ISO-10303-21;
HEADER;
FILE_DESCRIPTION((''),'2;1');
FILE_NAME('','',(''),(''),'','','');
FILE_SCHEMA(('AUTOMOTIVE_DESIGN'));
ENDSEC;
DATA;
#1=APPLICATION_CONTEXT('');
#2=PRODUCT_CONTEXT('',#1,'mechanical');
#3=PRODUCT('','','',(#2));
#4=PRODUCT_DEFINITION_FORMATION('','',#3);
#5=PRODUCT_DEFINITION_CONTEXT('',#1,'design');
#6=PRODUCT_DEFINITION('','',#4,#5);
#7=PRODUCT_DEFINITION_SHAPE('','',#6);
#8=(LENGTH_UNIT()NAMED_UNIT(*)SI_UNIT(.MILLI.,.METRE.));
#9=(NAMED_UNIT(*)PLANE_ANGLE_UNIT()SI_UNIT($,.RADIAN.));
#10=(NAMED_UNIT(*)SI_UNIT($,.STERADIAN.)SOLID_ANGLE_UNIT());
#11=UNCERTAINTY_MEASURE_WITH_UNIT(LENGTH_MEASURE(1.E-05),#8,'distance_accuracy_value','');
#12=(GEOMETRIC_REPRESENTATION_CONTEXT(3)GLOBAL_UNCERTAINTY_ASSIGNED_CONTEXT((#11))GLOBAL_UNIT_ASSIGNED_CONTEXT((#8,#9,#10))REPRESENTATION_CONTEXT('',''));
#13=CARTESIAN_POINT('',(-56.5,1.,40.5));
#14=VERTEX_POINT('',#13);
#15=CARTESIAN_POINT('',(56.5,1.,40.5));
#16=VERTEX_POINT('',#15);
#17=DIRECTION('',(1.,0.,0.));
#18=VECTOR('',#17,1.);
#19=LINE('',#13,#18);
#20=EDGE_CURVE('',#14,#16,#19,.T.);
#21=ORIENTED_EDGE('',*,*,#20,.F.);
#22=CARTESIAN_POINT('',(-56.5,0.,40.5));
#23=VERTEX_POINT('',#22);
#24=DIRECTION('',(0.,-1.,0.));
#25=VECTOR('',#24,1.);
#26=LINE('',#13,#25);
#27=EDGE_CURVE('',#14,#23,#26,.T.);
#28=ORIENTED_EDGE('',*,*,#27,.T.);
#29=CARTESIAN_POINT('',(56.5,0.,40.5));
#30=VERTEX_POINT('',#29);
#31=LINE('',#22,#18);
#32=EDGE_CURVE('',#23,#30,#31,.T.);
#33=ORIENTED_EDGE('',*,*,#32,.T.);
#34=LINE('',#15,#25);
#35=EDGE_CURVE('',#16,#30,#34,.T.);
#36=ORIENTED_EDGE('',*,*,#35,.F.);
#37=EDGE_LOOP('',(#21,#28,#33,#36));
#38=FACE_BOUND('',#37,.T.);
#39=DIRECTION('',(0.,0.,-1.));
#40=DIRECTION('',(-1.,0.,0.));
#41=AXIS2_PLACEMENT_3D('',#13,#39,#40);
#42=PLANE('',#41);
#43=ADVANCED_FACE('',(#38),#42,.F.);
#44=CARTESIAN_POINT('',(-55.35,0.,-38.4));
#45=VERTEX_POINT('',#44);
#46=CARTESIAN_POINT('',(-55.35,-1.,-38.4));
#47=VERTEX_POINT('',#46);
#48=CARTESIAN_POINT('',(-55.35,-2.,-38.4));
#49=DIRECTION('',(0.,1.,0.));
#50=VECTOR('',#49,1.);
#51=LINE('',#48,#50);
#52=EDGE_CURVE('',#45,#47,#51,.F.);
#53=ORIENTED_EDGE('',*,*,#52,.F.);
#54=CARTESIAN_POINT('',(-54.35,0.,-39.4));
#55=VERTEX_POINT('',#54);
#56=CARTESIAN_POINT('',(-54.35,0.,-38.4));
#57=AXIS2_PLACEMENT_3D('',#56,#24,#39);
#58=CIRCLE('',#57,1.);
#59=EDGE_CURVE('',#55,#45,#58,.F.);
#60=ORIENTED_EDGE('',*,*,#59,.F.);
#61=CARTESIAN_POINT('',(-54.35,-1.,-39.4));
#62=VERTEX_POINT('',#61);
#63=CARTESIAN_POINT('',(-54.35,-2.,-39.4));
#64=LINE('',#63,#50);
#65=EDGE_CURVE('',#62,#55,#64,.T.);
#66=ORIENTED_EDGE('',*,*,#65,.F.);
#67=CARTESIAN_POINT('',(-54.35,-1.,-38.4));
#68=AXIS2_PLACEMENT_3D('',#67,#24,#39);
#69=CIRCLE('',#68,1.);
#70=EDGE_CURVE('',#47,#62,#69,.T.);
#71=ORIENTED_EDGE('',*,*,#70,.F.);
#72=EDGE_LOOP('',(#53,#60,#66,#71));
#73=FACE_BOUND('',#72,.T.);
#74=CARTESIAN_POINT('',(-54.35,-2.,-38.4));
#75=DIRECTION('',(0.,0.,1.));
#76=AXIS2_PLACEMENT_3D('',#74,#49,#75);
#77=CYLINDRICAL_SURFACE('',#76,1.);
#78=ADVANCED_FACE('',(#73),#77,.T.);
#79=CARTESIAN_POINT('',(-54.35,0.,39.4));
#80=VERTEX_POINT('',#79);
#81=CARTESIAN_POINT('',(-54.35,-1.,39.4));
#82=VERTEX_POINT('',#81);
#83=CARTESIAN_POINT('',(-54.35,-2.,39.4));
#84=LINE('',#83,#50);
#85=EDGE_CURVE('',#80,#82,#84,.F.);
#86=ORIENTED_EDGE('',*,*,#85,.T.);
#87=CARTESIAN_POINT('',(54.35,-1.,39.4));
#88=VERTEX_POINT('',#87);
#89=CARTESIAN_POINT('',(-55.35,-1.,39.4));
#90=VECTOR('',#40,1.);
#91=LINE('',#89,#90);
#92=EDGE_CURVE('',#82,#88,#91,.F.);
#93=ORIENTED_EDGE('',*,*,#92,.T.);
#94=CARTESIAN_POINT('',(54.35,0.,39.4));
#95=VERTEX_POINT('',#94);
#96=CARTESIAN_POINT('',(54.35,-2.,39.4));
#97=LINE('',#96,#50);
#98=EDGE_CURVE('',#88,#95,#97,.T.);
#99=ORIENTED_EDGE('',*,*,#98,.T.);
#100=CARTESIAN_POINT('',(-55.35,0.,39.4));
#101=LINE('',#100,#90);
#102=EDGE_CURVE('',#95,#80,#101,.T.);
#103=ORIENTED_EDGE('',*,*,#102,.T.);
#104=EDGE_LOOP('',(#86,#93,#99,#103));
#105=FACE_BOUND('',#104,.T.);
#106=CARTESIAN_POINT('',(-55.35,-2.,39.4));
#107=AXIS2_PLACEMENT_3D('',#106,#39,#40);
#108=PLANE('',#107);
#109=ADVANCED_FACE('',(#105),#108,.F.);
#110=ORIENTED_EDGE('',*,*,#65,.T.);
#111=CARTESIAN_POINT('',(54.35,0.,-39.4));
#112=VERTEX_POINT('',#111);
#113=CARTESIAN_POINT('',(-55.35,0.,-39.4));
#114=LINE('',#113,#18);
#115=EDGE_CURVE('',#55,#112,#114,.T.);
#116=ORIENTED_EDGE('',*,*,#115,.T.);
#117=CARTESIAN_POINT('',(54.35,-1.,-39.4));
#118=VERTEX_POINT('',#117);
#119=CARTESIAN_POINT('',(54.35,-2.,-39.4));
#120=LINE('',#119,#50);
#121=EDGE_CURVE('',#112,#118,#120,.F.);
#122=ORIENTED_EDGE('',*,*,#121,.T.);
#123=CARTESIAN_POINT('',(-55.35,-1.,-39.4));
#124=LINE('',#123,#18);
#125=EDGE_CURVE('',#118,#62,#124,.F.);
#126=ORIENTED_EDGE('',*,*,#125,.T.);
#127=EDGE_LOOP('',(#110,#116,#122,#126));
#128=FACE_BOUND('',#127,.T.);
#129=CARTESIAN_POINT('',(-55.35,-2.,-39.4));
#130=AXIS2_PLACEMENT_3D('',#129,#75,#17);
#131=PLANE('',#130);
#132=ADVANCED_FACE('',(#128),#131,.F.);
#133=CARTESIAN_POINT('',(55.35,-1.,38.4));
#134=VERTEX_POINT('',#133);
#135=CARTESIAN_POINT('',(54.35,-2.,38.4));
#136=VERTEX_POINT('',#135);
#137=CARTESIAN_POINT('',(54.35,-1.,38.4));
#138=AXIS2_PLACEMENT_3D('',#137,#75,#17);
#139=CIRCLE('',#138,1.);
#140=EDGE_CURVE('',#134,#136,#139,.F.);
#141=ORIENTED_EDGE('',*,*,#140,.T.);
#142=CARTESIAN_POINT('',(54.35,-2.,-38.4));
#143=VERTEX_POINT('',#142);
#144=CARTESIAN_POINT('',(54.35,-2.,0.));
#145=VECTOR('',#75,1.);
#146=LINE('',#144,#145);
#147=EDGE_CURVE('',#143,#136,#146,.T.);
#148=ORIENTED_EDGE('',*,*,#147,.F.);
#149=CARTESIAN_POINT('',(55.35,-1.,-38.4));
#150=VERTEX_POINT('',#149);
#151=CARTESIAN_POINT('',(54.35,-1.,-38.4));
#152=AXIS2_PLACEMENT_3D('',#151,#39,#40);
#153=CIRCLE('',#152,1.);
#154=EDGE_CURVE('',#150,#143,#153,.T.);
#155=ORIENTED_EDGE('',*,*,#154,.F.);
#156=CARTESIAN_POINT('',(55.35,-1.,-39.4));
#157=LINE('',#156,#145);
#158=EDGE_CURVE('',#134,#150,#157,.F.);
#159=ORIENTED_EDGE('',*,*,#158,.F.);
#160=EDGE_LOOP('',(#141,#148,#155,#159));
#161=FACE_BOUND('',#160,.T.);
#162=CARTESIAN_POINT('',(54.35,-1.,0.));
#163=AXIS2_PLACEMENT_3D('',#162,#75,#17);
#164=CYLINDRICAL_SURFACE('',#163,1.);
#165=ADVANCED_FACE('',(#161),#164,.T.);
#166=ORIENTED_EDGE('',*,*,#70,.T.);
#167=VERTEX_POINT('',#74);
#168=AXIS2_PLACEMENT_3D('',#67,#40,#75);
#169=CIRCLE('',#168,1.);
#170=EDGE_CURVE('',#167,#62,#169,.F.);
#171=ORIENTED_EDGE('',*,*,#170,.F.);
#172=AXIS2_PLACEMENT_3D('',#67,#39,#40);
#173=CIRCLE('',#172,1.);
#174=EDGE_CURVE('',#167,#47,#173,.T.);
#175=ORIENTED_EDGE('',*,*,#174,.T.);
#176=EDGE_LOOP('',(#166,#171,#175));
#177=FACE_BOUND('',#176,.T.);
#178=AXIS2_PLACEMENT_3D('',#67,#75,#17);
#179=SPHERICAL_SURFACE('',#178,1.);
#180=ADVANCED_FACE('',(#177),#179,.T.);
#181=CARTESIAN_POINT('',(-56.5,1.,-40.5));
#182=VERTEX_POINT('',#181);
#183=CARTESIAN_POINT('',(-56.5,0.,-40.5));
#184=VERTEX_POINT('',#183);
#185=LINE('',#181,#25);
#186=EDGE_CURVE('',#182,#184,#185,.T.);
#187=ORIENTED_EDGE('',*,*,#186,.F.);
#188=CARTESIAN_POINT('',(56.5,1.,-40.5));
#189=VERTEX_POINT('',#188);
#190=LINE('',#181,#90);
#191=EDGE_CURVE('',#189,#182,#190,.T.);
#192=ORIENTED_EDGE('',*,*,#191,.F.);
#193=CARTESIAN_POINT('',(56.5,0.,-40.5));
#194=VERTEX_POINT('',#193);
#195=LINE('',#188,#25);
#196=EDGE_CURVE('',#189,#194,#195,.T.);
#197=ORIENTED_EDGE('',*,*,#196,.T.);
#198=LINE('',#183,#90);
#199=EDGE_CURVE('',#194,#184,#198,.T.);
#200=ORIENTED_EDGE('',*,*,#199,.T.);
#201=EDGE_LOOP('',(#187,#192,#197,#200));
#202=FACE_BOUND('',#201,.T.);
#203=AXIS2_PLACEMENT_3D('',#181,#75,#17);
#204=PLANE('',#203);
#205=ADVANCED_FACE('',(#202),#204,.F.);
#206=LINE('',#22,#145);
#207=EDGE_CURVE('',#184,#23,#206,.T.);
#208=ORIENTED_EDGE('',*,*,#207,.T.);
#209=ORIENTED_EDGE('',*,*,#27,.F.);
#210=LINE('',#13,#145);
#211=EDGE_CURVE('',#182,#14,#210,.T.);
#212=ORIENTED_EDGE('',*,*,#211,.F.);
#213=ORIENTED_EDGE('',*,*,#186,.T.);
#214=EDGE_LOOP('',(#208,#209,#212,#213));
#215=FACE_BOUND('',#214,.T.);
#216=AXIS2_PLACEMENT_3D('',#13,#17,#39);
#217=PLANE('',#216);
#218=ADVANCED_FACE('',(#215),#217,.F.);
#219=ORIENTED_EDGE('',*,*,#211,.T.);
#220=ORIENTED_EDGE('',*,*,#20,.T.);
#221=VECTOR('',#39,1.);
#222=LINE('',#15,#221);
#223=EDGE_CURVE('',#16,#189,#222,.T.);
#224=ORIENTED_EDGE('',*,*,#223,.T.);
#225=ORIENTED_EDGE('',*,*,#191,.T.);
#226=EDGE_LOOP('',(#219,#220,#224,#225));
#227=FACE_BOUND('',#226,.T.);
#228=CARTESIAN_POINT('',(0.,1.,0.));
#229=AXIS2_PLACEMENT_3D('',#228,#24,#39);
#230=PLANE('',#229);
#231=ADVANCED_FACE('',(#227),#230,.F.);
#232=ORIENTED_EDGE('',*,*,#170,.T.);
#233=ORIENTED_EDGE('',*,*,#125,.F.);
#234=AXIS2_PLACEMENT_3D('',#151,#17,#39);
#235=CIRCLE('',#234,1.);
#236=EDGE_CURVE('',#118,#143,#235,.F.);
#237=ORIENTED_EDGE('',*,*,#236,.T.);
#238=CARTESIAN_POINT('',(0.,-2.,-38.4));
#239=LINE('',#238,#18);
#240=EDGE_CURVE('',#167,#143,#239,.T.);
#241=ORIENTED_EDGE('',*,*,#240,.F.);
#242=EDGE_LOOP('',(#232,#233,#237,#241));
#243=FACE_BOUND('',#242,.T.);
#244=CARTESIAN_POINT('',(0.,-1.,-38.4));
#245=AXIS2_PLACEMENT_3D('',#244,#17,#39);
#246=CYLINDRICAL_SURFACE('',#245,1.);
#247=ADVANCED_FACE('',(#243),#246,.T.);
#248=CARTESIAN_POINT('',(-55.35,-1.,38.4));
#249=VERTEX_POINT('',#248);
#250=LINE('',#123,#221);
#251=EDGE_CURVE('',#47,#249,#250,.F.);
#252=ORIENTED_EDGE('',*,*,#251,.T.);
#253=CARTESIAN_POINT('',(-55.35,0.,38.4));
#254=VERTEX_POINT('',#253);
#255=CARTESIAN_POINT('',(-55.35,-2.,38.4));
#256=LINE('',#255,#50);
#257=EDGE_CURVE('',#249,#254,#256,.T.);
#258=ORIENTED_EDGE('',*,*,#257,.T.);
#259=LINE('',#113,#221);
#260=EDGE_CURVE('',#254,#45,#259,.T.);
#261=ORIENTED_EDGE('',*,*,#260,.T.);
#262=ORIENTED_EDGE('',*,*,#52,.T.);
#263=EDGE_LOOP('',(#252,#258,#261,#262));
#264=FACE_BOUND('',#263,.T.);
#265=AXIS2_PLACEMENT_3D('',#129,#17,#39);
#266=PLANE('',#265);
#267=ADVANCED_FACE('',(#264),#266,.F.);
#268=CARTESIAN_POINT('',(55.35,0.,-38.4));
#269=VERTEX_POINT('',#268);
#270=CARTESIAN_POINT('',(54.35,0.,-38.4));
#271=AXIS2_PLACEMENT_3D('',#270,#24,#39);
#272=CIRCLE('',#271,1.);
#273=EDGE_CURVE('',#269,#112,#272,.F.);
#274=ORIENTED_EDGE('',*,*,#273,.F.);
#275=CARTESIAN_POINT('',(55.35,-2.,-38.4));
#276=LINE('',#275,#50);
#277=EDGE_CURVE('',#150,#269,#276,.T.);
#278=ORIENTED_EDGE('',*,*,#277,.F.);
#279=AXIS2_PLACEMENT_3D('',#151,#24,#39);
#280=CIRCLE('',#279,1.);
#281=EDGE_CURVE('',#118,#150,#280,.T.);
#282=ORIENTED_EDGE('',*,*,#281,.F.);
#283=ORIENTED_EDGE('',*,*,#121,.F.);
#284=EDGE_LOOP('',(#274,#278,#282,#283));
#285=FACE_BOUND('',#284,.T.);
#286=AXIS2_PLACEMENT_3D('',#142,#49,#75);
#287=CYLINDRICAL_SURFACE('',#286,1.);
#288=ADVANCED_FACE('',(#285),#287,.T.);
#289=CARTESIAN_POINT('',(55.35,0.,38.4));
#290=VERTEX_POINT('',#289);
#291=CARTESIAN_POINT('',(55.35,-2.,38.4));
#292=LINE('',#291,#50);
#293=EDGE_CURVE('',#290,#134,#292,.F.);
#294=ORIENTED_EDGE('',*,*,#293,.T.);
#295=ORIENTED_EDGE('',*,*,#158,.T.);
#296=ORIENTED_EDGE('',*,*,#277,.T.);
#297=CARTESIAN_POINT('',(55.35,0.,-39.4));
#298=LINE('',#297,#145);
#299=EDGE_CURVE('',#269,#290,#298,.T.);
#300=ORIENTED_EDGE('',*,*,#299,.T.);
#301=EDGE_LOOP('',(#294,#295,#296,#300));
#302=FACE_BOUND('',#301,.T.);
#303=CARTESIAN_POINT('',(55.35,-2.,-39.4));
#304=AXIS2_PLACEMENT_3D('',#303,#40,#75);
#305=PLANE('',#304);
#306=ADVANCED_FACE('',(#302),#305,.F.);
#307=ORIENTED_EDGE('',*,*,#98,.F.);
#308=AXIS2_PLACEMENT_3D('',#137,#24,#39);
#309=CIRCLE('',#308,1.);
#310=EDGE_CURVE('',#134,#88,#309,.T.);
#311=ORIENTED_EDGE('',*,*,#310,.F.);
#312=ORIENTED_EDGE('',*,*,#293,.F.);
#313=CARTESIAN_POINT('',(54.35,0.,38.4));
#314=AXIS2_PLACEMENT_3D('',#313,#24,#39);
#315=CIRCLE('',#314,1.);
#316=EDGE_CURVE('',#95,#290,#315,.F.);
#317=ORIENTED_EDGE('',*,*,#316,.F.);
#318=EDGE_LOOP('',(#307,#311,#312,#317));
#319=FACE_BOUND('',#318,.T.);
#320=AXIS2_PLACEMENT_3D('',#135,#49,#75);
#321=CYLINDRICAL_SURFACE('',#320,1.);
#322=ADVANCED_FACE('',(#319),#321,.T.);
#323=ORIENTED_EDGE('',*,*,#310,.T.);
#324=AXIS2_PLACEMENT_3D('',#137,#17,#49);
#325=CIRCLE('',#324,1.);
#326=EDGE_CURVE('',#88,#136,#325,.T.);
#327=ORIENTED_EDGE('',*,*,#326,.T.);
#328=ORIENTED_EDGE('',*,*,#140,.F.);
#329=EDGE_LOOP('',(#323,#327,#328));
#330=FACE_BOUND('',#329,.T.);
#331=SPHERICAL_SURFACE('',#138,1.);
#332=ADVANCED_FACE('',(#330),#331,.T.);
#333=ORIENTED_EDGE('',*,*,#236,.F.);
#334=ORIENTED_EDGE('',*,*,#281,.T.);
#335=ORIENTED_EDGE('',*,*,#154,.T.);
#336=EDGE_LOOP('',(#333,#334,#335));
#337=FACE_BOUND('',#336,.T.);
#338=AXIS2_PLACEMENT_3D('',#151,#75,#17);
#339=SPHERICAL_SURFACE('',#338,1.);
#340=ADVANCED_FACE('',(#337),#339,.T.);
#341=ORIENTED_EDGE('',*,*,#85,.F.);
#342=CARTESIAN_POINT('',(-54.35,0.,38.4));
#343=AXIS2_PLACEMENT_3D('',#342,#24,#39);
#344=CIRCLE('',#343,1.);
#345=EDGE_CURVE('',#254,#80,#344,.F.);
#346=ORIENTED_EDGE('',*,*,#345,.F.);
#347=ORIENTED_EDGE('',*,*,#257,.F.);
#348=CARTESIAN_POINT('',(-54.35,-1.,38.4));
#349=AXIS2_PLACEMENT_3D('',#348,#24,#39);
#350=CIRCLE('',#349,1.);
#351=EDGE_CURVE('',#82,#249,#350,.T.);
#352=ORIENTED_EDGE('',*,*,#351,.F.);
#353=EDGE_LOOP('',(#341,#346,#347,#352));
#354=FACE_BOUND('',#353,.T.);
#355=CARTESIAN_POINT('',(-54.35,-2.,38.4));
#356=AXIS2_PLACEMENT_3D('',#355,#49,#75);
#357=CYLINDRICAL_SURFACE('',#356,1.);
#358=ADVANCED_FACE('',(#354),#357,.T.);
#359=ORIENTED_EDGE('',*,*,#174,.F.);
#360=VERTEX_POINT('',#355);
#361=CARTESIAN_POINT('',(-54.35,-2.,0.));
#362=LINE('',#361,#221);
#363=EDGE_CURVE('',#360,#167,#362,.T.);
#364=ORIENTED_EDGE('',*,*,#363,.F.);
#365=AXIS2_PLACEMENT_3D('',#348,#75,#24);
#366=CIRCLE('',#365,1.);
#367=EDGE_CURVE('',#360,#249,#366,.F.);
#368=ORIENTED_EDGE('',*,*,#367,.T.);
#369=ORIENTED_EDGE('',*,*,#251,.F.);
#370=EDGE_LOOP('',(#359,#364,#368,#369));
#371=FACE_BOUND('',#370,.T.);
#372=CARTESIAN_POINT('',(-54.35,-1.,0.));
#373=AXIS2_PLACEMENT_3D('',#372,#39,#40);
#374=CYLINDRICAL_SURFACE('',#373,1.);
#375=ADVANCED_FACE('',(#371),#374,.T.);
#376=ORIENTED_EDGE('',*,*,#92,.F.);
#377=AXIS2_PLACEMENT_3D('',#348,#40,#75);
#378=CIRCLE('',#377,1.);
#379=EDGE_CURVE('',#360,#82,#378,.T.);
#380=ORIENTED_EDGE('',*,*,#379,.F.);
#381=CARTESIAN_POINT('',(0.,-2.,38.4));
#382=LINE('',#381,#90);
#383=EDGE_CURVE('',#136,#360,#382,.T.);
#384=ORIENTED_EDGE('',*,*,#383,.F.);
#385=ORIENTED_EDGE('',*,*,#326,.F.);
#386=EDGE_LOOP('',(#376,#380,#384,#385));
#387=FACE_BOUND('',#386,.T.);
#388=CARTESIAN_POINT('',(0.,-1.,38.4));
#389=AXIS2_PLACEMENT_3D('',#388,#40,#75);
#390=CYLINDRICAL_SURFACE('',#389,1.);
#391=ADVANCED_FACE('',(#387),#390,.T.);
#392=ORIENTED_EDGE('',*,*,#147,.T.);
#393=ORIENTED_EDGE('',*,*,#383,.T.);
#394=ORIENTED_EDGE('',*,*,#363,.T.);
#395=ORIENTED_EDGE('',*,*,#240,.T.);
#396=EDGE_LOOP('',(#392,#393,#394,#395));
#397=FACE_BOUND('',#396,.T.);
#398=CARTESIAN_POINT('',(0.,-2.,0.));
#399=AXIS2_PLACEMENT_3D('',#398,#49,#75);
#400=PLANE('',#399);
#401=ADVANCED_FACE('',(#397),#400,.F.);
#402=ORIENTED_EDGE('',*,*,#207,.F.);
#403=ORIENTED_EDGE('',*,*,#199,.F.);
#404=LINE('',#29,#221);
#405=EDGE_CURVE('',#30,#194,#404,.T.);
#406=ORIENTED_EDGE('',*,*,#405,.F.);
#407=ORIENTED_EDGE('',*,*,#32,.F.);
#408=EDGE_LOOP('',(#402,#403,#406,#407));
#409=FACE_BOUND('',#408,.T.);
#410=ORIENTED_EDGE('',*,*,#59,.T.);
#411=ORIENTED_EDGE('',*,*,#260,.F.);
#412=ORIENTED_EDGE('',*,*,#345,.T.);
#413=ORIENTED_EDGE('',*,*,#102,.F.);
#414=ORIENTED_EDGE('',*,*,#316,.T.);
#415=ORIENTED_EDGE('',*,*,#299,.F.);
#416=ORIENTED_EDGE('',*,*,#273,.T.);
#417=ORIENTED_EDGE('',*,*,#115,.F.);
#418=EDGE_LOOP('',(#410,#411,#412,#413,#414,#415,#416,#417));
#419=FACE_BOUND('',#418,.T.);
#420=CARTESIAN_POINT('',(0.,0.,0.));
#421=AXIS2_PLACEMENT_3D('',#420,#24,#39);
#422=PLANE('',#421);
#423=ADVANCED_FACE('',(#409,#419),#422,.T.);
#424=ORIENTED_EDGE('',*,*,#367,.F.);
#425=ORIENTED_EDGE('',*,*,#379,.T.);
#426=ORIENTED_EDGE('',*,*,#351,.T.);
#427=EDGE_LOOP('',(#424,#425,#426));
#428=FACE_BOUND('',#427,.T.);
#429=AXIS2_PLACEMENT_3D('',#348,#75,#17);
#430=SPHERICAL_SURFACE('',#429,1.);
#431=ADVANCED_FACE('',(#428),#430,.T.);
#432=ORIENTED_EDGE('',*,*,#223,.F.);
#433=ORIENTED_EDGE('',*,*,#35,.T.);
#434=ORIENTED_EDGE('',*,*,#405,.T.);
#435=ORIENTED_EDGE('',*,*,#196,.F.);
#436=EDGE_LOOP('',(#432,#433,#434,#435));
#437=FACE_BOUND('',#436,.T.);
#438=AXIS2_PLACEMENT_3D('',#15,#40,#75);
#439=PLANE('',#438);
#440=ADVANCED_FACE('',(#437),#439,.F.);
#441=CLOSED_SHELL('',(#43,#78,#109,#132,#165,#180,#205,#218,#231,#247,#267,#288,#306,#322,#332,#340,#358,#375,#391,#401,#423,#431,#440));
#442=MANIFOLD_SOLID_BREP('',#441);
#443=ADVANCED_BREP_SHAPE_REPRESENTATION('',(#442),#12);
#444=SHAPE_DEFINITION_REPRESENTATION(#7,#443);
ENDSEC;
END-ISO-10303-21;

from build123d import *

# Parameters (mm, degrees)
SKETCH1_W           = 113
SKETCH1_H           = 81
BOSS_EXTRUDE1_DEPTH = 1
SKETCH2_W           = 110.7
SKETCH2_H           = 78.8
BOSS_EXTRUDE2_DEPTH = 2
FILLET3_R           = 1


with BuildPart() as part:
    # Sketch1 → Boss-Extrude1 (new body)
    with BuildSketch(Plane(origin=(0, 0, 0), x_dir=(1, 0, 0), z_dir=(0, 1, 0))):
        Rectangle(SKETCH1_W, SKETCH1_H)
    extrude(amount=BOSS_EXTRUDE1_DEPTH)

    # Sketch2 → Boss-Extrude2 (add)
    with BuildSketch(Plane.XZ):
        Rectangle(SKETCH2_W, SKETCH2_H)
    extrude(amount=BOSS_EXTRUDE2_DEPTH)

    # Fillet3
    fillet3_edges = [part.edges().sort_by_distance(p)[0] for p in [
        (55.35, -1, -39.4),
        (55.35, -1, 39.4),
        (-55.35, -1, 39.4),
        (-55.35, -1, -39.4),
        (55.35, -2, 0),
        (0, -2, 39.4),
        (-55.35, -2, 0),
        (0, -2, -39.4),
    ]]
    fillet(fillet3_edges, radius=FILLET3_R)


solid = part.part
